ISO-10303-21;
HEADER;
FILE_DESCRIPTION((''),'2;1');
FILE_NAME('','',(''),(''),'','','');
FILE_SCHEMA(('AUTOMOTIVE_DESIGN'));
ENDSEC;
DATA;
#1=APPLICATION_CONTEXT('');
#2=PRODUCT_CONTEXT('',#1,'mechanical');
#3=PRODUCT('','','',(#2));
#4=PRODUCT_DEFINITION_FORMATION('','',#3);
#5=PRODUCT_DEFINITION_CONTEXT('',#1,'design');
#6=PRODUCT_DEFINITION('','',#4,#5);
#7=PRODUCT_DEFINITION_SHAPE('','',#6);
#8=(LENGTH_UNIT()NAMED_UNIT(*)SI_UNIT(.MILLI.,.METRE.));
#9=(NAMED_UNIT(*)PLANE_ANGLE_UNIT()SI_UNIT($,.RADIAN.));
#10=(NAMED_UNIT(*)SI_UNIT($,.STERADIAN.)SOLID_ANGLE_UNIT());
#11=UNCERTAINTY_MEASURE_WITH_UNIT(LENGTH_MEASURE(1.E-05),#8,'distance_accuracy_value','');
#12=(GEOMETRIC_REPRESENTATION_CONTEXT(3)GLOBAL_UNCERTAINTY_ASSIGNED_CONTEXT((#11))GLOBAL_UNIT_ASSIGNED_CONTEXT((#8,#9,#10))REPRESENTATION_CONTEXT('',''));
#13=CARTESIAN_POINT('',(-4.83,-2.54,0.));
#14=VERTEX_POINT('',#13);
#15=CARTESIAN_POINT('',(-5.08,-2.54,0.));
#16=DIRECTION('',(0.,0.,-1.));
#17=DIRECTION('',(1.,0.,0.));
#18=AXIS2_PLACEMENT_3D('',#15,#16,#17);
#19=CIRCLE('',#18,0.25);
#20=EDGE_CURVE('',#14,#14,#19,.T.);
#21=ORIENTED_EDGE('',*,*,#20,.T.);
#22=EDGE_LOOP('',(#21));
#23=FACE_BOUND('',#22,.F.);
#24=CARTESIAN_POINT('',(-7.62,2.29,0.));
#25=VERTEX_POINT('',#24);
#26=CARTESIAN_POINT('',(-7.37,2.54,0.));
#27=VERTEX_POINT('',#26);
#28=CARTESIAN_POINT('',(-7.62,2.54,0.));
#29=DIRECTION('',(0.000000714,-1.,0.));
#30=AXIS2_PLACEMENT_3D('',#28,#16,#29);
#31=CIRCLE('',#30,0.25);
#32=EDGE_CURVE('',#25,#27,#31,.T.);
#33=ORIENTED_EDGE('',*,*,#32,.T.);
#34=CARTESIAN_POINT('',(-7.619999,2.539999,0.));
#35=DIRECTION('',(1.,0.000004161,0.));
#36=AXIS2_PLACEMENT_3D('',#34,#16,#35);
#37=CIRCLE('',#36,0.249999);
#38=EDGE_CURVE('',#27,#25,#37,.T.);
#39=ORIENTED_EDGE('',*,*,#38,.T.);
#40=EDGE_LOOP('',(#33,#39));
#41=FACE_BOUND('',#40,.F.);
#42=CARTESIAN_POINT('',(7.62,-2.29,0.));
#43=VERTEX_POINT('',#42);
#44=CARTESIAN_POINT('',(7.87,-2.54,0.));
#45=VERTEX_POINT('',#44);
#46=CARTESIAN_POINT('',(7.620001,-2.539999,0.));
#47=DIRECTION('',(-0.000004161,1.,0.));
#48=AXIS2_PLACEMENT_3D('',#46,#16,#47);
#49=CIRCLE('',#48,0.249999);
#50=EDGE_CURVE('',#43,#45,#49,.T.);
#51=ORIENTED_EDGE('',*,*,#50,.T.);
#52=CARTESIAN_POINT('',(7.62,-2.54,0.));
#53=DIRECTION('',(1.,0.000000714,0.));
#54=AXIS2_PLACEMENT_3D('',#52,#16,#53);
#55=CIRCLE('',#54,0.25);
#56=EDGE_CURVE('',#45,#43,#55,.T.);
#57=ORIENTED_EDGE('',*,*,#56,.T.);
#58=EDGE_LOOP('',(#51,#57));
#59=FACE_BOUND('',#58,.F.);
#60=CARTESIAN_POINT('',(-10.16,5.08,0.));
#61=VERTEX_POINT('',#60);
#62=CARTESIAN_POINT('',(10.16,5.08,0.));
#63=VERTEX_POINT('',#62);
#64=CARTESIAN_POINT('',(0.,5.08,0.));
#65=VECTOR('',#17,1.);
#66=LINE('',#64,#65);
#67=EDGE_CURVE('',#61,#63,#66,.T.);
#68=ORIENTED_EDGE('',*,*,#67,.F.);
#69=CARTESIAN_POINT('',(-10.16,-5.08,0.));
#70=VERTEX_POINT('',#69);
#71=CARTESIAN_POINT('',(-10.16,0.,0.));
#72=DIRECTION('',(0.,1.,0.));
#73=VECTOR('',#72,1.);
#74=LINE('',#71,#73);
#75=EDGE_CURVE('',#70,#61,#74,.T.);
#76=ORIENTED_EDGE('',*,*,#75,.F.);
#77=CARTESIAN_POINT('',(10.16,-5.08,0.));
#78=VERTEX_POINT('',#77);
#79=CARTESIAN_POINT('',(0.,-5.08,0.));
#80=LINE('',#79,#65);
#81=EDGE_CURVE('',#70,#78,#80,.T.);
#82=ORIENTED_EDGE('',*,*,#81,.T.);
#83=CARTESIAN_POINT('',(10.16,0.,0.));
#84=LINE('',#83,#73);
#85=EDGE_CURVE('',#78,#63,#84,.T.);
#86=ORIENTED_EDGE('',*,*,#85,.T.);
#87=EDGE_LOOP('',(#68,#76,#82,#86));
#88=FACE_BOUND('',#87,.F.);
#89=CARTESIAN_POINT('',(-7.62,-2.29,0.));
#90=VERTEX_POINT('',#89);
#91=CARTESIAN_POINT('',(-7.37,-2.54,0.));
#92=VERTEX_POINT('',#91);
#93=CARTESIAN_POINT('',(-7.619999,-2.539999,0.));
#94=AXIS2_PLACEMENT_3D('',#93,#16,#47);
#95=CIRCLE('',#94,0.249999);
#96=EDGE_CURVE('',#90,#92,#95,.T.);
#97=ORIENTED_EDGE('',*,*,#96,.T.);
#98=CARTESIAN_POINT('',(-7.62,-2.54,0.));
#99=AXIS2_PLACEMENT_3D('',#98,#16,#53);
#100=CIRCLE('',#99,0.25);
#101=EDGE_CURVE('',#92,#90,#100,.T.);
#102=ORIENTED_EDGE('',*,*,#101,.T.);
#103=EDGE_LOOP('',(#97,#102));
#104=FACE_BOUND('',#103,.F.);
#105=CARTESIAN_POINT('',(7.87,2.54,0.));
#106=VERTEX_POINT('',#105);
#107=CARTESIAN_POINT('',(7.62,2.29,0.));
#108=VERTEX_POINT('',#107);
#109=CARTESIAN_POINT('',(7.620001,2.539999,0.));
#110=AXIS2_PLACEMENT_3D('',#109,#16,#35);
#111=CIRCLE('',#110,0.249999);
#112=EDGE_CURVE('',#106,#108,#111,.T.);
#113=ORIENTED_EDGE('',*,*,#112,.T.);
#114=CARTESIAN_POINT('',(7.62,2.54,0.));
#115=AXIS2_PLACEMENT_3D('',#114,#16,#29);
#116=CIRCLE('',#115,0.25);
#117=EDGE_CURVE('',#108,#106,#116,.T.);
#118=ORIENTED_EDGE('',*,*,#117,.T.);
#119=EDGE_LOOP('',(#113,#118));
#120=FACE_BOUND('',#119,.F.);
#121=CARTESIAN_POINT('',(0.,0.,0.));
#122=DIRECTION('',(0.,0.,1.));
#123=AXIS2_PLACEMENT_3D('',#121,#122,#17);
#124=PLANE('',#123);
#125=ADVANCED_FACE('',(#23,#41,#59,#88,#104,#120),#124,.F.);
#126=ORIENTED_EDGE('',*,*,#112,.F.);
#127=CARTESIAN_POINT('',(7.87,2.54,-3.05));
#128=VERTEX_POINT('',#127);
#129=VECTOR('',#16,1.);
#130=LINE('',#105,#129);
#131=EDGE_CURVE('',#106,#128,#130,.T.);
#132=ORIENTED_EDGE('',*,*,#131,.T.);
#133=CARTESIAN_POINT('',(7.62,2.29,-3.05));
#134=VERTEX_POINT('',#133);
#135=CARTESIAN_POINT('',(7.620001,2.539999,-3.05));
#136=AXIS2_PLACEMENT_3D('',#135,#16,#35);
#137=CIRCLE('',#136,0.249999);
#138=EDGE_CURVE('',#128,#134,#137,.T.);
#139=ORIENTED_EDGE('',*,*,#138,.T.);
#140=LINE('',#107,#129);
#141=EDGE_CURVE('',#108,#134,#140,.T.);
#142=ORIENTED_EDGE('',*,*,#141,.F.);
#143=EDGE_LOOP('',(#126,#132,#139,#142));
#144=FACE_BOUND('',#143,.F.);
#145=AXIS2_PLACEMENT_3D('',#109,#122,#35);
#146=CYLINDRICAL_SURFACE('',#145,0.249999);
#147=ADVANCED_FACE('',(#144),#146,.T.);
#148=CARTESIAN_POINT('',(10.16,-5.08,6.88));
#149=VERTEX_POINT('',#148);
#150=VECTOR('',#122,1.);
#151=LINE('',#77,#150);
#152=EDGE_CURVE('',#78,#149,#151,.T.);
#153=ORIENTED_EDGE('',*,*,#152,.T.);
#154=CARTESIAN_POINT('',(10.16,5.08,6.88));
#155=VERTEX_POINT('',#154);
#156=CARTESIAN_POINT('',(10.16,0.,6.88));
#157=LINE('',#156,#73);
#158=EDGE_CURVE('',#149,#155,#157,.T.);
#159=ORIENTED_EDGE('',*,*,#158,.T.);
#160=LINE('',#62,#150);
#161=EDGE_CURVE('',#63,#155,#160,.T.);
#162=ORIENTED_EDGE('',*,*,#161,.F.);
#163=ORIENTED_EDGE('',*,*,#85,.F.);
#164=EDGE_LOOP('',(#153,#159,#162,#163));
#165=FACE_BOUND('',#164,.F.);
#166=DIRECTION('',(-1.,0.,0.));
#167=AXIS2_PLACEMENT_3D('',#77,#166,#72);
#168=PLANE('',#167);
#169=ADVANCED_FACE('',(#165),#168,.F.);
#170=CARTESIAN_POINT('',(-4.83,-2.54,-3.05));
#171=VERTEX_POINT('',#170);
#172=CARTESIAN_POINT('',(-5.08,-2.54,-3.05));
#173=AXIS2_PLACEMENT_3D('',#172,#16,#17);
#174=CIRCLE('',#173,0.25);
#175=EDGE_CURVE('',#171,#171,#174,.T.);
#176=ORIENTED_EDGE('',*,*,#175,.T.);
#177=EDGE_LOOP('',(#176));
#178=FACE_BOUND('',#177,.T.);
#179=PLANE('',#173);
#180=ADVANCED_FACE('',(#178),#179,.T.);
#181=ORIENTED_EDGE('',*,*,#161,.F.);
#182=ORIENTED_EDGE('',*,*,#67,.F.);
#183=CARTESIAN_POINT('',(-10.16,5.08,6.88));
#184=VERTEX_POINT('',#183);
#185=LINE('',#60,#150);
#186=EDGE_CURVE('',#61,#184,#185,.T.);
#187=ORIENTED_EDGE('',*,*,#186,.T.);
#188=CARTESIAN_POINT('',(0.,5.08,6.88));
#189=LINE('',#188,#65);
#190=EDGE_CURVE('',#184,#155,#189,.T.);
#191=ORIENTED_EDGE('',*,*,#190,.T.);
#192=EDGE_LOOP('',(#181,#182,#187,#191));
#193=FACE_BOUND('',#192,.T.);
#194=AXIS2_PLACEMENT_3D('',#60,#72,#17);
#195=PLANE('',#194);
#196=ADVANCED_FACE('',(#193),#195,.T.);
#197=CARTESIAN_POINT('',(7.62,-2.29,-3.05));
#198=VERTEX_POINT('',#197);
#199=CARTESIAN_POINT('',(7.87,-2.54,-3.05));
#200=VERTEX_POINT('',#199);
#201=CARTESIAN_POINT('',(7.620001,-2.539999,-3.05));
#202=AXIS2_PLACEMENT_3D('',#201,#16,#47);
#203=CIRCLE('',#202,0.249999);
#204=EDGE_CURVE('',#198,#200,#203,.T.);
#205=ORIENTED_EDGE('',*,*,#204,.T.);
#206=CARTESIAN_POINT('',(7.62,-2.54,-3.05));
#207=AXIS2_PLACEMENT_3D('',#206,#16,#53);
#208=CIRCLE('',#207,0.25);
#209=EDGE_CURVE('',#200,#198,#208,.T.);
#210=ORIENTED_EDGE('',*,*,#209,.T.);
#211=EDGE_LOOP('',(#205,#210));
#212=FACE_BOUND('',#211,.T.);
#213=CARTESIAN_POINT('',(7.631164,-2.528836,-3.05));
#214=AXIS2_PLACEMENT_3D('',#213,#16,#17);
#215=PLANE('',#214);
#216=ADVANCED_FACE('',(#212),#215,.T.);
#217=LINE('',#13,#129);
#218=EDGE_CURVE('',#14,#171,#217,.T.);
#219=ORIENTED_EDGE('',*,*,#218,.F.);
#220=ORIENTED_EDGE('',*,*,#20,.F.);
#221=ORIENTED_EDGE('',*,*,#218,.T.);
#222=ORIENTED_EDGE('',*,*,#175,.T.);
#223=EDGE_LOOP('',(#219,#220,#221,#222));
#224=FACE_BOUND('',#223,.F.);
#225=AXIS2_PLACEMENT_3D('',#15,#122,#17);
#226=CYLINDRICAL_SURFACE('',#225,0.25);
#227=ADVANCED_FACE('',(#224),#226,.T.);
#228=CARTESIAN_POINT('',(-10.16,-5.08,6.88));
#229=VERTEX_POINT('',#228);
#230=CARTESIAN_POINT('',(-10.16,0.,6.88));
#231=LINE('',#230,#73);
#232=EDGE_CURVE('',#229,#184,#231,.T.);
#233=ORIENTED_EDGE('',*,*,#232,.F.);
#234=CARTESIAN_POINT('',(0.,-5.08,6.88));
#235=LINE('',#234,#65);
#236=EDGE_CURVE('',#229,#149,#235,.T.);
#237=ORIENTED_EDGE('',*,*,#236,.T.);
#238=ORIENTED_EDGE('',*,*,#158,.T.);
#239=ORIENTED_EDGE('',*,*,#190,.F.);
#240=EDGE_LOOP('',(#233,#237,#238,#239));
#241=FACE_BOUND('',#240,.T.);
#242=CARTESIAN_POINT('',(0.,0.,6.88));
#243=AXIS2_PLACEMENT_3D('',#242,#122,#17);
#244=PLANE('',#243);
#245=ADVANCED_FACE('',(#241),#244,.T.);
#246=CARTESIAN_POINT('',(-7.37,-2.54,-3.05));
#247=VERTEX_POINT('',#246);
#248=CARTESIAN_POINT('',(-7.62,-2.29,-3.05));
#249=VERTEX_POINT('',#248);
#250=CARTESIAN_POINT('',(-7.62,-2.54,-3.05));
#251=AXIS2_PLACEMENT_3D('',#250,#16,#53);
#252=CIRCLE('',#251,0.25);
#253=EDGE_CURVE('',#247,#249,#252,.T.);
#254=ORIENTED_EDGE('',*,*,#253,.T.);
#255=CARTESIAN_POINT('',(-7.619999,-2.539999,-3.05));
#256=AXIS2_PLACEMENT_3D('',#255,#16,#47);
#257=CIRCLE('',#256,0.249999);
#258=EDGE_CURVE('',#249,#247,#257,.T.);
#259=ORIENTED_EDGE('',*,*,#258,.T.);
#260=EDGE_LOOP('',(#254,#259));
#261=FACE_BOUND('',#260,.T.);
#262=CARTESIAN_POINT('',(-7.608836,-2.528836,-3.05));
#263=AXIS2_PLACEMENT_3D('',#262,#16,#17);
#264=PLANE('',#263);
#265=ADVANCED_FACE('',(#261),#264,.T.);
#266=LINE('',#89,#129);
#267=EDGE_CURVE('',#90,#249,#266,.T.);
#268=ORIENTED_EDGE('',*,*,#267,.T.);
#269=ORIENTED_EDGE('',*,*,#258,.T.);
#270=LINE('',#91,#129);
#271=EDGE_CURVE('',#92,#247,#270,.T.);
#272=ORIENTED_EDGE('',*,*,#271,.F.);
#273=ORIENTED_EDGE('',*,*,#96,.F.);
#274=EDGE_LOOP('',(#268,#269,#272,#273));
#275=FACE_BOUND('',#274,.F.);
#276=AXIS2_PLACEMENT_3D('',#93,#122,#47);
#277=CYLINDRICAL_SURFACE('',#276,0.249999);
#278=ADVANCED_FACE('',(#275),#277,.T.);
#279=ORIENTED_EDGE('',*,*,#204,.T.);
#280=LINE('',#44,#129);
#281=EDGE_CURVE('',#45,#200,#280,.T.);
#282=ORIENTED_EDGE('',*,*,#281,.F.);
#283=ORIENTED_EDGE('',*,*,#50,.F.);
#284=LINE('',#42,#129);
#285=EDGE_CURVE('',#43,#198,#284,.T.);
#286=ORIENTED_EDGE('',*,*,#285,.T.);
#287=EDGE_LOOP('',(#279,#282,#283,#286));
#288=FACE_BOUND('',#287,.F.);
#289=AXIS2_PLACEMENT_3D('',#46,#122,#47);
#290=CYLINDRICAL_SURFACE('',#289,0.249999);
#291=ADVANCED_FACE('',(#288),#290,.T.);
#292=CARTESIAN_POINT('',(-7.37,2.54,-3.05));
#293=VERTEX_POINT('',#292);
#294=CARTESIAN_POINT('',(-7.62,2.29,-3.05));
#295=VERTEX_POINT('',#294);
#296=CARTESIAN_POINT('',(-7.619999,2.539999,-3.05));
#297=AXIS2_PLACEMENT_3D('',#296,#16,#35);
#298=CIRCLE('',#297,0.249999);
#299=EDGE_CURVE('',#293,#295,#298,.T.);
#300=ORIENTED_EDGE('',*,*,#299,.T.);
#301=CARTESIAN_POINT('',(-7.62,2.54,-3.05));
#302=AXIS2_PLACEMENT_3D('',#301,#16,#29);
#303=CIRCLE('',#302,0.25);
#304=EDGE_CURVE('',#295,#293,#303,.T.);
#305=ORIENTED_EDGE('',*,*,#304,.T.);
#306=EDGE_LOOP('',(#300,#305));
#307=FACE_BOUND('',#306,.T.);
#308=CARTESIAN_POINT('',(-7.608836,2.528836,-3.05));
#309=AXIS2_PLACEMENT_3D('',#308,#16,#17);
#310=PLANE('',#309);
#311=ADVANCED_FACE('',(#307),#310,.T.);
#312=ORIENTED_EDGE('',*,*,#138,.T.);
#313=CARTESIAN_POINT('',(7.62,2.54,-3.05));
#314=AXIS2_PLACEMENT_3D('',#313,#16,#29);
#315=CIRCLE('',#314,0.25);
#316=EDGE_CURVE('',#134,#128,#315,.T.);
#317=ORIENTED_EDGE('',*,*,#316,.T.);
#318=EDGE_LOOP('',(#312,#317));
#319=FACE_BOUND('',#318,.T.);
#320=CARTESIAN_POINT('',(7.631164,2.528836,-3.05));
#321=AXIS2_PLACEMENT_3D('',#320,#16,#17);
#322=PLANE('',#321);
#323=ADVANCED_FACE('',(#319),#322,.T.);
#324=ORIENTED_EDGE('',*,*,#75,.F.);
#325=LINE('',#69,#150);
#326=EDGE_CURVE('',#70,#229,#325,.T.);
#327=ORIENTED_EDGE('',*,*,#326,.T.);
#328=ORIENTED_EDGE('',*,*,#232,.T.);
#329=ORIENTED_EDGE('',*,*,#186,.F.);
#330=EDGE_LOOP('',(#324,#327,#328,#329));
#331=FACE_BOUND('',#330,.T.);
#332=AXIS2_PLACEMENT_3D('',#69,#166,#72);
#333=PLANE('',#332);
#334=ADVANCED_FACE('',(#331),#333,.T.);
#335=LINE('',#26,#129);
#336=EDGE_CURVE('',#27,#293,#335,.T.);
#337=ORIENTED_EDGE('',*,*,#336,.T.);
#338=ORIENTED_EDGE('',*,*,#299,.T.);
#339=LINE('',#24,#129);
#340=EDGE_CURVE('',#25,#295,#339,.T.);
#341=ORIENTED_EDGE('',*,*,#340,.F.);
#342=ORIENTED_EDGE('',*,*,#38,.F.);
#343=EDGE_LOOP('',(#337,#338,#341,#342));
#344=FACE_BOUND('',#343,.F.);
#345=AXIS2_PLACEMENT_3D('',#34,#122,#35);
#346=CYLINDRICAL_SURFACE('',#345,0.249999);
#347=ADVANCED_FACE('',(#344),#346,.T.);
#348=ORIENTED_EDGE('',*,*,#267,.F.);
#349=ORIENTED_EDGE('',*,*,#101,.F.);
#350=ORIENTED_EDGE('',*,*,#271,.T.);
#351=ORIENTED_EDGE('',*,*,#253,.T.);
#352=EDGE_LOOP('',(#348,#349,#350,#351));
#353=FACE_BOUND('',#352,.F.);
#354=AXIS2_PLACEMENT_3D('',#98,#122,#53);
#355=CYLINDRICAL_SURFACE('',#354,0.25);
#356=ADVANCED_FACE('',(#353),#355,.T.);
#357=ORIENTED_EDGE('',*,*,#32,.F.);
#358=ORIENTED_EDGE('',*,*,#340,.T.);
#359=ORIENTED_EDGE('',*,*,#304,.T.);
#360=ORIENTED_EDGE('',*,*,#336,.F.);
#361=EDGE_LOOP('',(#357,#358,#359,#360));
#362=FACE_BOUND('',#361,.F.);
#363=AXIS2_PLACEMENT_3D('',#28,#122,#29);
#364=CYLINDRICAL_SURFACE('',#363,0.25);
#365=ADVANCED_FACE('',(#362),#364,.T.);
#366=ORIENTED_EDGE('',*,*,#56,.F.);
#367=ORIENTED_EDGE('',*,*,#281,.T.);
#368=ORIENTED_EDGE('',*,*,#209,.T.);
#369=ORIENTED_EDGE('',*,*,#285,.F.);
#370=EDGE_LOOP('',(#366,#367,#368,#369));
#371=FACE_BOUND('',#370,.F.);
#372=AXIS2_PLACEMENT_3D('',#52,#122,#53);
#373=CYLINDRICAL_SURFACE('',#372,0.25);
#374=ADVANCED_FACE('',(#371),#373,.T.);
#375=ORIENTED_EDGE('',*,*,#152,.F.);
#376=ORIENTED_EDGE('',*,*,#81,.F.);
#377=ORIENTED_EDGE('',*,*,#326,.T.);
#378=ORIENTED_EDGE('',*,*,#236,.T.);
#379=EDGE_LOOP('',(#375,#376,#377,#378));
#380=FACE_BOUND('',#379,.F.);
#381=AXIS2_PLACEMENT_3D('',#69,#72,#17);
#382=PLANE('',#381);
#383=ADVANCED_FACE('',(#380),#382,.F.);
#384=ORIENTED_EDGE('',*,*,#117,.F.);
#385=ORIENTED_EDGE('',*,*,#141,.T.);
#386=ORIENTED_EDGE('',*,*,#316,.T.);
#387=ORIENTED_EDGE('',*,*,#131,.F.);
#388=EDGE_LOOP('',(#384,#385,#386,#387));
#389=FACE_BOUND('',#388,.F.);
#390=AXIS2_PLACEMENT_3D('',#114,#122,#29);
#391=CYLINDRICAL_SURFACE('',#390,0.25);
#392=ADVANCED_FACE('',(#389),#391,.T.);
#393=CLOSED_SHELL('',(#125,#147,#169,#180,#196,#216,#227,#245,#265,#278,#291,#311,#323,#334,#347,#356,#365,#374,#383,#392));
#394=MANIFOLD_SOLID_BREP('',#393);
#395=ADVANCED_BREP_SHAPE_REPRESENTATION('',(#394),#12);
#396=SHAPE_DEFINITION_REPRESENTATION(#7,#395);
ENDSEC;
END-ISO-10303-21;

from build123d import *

# Parameters (mm, degrees)
F0_W     = 20.32
F0_H     = 10.16
F1_DEPTH = 6.88
F2_R     = 0.25
F3_DEPTH = 3.05


with BuildPart() as f1:
    # F0 (on Top) → F1 (new body)
    with BuildSketch(Plane.XY):
        Rectangle(F0_W, F0_H)
    extrude(amount=F1_DEPTH)

    # F2 (on face) → F3 (join)
    with BuildSketch(Plane(origin=(0, 0, 0), x_dir=(1, 0, 0), z_dir=(0, 0, -1))):
        with BuildLine():
            ThreePointArc((-7.62, 2.29), (-7.443223, 2.363223), (-7.37, 2.54))
            ThreePointArc((-7.37, 2.54), (-7.796777, 2.716777), (-7.62, 2.29))
        make_face()
        with BuildLine():
            ThreePointArc((-7.37, -2.54), (-7.443223, -2.363223), (-7.62, -2.29))
            ThreePointArc((-7.62, -2.29), (-7.796777, -2.716777), (-7.37, -2.54))
        make_face()
        with Locations((-5.08, 2.54)):
            Circle(F2_R)
        with BuildLine():
            ThreePointArc((7.62, 2.29), (7.796777, 2.363223), (7.87, 2.54))
            ThreePointArc((7.87, 2.54), (7.443223, 2.716777), (7.62, 2.29))
        make_face()
        with BuildLine():
            ThreePointArc((7.87, -2.54), (7.796777, -2.363223), (7.62, -2.29))
            ThreePointArc((7.62, -2.29), (7.443223, -2.716777), (7.87, -2.54))
        make_face()
    extrude(amount=F3_DEPTH)


solid = f1.part
